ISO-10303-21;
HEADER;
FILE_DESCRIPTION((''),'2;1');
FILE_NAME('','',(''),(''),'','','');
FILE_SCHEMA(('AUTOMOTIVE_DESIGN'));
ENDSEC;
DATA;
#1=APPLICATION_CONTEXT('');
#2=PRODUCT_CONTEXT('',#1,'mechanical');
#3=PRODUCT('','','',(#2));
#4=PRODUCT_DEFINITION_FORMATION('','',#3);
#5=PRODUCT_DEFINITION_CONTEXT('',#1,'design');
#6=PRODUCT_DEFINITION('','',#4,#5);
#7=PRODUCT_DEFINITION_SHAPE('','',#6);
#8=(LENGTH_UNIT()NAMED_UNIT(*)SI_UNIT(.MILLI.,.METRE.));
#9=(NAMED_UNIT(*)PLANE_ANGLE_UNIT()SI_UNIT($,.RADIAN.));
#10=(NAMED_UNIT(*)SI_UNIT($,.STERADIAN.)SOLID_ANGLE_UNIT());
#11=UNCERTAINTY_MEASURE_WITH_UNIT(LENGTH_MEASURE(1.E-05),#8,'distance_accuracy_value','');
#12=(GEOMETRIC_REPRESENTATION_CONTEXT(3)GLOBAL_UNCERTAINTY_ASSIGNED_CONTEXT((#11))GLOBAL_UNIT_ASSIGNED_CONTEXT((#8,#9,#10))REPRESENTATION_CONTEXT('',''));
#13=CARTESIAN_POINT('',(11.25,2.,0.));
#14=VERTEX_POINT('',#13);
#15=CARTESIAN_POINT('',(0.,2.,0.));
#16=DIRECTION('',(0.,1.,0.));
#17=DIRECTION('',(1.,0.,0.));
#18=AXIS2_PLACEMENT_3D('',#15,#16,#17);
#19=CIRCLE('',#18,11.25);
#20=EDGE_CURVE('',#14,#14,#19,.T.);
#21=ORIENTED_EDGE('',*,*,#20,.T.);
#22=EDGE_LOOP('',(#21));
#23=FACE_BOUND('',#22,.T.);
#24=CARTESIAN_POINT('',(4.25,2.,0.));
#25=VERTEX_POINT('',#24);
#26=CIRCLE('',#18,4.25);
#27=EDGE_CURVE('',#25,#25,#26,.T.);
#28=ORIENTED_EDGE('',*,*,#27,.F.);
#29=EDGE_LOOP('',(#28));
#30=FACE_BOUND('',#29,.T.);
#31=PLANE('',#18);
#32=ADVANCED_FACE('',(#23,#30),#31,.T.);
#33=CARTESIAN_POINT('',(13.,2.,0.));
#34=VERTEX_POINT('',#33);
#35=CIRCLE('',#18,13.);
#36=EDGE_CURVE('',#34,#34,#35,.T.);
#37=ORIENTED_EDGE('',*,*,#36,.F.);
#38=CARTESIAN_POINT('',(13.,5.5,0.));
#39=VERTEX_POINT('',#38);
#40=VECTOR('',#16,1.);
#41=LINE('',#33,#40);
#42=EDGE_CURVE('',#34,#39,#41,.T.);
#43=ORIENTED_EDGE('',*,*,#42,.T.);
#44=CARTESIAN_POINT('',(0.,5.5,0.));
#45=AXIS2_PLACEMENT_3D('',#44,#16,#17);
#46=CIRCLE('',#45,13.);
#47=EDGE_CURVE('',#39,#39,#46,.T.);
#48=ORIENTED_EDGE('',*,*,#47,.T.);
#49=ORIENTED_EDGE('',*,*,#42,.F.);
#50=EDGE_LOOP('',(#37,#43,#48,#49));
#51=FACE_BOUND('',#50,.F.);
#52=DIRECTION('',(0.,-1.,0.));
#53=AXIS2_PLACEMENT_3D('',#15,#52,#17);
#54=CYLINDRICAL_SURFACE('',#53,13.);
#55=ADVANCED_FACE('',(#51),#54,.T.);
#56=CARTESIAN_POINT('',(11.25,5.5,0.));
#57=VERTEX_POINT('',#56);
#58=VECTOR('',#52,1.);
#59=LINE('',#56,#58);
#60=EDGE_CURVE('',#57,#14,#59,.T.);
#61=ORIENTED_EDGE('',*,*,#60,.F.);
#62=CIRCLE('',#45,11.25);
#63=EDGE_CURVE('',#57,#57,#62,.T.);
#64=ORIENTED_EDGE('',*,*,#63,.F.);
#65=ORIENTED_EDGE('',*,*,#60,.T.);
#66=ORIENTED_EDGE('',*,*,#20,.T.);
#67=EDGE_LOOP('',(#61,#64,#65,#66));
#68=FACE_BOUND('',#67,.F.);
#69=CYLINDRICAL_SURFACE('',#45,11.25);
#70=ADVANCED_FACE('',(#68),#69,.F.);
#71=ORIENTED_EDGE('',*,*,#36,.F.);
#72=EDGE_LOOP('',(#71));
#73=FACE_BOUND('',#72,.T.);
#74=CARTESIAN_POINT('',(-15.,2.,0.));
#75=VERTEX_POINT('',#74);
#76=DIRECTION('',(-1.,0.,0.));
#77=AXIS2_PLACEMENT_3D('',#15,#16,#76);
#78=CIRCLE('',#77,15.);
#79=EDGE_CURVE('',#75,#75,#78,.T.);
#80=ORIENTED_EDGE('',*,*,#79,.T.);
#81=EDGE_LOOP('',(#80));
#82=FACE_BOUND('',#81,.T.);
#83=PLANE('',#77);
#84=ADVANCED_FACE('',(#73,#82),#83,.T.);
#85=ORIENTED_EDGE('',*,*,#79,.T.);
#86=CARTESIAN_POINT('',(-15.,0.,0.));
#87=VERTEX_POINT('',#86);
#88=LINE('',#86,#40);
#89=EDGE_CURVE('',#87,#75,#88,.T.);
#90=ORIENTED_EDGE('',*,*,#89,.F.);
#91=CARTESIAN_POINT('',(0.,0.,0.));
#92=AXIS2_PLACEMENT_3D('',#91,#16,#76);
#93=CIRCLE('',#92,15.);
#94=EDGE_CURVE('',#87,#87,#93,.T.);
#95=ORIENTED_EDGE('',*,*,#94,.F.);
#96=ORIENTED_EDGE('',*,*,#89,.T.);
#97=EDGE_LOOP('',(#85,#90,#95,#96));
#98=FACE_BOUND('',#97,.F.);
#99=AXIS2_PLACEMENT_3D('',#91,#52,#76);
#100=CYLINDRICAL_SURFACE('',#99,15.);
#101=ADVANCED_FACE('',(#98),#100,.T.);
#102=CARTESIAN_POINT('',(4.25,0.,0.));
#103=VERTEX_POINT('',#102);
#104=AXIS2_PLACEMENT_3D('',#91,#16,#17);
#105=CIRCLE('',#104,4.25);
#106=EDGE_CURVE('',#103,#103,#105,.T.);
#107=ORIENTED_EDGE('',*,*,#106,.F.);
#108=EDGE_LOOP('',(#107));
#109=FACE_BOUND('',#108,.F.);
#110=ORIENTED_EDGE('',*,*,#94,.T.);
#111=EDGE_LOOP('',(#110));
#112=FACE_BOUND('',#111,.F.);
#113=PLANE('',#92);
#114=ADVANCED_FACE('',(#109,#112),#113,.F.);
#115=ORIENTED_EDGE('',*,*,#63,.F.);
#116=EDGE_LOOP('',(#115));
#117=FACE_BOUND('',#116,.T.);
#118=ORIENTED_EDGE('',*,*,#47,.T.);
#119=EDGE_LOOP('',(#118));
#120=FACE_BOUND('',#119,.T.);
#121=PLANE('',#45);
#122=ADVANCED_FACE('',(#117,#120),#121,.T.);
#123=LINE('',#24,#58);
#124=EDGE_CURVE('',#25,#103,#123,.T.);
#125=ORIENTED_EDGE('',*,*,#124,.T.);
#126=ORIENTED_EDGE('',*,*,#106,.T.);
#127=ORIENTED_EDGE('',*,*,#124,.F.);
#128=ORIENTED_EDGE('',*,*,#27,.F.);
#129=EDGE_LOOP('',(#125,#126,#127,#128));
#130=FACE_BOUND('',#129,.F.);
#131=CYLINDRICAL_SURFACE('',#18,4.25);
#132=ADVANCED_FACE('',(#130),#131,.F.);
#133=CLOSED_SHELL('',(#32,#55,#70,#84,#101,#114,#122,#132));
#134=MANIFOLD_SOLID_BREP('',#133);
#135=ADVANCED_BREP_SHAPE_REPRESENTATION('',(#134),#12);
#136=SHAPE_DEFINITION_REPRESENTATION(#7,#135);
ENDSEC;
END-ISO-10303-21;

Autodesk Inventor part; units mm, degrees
ref_plane "YZ Plane" through (0, 0, 0) normal (1, 0, 0) x (0, 1, 0)
ref_plane "XZ Plane" through (0, 0, 0) normal (0, 1, 0) x (-1, 0, 0)
ref_plane "XY Plane" through (0, 0, 0) normal (0, 0, 1) x (1, 0, 0)
sketch "Sketch1" plane through (0, 0, 0) normal (0, 1, 0) x (-1, 0, 0)
  circle A0 centre (0, 0) radius 15
  dimension "d0" = 30
extrude "Extrusion1" add sketch "Sketch1" along normal blind 2
sketch "Sketch2" plane through (0, 2, 0) normal (0, 1, 0) x (1, 0, 0)
  circle A0 centre (0, 0) radius 13
  dimension "d3" = 26
extrude "Extrusion2" add sketch "Sketch2" along normal blind 3.5
sketch "Sketch3" plane through (0, 5.5, 0) normal (0, 1, 0) x (1, 0, 0)
  circle A0 centre (0, 0) radius 11.25
  dimension "d6" = 22.5
extrude "Extrusion3" cut sketch "Sketch3" against normal blind 3.5
sketch "Sketch4" plane through (0, 2, 0) normal (0, 1, 0) x (1, 0, 0)
  circle A0 centre (0, 0) radius 4.25
  dimension "d9" = 8.5
extrude "Extrusion4" cut sketch "Sketch4" against normal through all
properties part number "poulie"
